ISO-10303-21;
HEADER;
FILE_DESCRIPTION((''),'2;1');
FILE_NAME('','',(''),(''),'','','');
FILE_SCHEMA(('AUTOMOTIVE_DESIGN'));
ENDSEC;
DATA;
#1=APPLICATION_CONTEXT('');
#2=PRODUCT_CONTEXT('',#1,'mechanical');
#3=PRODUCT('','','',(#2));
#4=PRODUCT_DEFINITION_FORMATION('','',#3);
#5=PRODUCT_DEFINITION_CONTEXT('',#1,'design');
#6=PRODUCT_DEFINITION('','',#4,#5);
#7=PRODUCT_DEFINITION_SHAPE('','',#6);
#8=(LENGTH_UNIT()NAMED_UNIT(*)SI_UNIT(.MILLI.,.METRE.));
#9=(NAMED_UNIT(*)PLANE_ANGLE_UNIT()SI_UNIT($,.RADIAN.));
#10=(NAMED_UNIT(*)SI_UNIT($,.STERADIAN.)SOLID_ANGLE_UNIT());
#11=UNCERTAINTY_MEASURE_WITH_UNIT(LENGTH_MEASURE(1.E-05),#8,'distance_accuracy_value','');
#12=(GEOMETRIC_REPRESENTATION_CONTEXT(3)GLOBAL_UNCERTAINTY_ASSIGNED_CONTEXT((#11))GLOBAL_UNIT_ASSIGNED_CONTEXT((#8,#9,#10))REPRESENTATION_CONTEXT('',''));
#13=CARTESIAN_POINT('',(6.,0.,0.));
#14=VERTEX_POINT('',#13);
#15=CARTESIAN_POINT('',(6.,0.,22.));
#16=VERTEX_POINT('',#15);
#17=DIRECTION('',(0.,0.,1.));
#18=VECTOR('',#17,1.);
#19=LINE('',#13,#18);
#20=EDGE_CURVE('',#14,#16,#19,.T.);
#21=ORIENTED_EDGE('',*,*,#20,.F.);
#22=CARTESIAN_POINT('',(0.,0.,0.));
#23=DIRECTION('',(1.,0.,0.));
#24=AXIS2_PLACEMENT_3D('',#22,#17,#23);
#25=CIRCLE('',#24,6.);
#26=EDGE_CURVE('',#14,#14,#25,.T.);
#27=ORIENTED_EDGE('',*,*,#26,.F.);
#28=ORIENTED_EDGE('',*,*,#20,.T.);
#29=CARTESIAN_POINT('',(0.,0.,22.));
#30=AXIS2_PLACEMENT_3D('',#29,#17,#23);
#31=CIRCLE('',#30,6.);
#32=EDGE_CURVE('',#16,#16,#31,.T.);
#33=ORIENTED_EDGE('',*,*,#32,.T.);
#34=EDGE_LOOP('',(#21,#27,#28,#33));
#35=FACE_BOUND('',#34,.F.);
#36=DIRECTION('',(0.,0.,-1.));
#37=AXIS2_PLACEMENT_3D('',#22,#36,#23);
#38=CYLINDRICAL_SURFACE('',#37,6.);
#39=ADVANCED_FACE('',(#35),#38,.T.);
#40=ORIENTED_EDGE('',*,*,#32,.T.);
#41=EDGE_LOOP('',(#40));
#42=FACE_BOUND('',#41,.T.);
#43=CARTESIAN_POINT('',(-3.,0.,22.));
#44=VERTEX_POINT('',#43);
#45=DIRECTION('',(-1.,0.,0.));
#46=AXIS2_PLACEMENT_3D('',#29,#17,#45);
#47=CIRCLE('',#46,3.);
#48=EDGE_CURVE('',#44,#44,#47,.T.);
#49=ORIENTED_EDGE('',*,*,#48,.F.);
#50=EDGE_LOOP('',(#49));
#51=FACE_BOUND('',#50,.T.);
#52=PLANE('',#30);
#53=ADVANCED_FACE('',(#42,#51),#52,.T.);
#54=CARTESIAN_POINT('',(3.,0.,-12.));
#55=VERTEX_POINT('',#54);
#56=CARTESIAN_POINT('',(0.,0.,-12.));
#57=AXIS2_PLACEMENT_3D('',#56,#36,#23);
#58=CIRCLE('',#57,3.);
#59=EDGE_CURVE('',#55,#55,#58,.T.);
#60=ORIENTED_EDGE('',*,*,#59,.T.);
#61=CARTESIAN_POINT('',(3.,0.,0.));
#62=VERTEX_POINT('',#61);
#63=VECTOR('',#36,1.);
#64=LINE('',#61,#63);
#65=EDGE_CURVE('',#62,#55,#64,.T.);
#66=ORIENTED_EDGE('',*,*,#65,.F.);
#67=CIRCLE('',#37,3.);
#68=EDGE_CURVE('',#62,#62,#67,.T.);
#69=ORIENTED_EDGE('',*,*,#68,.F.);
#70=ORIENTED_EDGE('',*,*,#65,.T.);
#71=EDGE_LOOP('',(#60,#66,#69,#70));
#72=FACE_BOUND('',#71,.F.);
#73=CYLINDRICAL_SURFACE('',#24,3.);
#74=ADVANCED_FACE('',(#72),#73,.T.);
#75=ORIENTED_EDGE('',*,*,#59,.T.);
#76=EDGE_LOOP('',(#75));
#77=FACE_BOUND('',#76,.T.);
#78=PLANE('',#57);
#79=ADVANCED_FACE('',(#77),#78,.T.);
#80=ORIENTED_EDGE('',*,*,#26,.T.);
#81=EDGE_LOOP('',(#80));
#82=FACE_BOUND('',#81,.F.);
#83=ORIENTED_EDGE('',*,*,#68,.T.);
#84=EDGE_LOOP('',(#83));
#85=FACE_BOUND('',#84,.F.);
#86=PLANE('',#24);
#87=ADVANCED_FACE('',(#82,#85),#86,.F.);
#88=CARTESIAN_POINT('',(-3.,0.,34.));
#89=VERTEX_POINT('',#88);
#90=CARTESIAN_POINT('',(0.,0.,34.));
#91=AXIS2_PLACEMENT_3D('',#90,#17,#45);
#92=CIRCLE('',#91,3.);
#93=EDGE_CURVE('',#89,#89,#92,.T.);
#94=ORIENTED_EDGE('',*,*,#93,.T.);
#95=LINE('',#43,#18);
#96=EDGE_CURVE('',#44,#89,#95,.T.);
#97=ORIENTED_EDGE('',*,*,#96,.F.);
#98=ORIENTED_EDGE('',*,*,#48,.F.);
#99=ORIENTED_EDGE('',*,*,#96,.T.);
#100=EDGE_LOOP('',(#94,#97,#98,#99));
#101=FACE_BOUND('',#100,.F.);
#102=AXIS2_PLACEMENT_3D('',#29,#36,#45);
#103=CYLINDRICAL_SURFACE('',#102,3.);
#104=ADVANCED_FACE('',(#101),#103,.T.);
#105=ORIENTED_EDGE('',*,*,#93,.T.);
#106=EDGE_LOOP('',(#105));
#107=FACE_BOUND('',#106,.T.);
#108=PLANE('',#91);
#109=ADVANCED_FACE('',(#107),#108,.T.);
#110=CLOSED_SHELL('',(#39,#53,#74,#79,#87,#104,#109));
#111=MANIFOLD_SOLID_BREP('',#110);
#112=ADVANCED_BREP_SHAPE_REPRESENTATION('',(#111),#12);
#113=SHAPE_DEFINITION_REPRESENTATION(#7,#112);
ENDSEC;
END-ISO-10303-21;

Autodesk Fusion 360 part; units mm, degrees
sketch "Esquisse1" plane through (0, 0, 0) normal (0, 0, 1) x (1, 0, 0)
  circle A0 centre (0, 0) radius 6
  dimension "d1" = 12
extrude "Extrusion1" add sketch "Esquisse1" along normal blind 22
sketch "Esquisse2" plane through (0, 0, 22) normal (0, 0, 1) x (-1, 0, 0)
  circle A0 centre (0, 0) radius 6
  circle A1 centre (0, 0) radius 3
  dimension "d4" = 6
extrude "Extrusion2" add sketch "Esquisse2" along normal blind 12 contours A1
sketch "Esquisse3" plane through (0, 0, 0) normal (0, 0, -1) x (1, 0, 0)
  circle A0 centre (0, 0) radius 6
  circle A1 centre (0, 0) radius 3
  dimension "d7" = 6
extrude "Extrusion3" add sketch "Esquisse3" along normal blind 12 contours A1
